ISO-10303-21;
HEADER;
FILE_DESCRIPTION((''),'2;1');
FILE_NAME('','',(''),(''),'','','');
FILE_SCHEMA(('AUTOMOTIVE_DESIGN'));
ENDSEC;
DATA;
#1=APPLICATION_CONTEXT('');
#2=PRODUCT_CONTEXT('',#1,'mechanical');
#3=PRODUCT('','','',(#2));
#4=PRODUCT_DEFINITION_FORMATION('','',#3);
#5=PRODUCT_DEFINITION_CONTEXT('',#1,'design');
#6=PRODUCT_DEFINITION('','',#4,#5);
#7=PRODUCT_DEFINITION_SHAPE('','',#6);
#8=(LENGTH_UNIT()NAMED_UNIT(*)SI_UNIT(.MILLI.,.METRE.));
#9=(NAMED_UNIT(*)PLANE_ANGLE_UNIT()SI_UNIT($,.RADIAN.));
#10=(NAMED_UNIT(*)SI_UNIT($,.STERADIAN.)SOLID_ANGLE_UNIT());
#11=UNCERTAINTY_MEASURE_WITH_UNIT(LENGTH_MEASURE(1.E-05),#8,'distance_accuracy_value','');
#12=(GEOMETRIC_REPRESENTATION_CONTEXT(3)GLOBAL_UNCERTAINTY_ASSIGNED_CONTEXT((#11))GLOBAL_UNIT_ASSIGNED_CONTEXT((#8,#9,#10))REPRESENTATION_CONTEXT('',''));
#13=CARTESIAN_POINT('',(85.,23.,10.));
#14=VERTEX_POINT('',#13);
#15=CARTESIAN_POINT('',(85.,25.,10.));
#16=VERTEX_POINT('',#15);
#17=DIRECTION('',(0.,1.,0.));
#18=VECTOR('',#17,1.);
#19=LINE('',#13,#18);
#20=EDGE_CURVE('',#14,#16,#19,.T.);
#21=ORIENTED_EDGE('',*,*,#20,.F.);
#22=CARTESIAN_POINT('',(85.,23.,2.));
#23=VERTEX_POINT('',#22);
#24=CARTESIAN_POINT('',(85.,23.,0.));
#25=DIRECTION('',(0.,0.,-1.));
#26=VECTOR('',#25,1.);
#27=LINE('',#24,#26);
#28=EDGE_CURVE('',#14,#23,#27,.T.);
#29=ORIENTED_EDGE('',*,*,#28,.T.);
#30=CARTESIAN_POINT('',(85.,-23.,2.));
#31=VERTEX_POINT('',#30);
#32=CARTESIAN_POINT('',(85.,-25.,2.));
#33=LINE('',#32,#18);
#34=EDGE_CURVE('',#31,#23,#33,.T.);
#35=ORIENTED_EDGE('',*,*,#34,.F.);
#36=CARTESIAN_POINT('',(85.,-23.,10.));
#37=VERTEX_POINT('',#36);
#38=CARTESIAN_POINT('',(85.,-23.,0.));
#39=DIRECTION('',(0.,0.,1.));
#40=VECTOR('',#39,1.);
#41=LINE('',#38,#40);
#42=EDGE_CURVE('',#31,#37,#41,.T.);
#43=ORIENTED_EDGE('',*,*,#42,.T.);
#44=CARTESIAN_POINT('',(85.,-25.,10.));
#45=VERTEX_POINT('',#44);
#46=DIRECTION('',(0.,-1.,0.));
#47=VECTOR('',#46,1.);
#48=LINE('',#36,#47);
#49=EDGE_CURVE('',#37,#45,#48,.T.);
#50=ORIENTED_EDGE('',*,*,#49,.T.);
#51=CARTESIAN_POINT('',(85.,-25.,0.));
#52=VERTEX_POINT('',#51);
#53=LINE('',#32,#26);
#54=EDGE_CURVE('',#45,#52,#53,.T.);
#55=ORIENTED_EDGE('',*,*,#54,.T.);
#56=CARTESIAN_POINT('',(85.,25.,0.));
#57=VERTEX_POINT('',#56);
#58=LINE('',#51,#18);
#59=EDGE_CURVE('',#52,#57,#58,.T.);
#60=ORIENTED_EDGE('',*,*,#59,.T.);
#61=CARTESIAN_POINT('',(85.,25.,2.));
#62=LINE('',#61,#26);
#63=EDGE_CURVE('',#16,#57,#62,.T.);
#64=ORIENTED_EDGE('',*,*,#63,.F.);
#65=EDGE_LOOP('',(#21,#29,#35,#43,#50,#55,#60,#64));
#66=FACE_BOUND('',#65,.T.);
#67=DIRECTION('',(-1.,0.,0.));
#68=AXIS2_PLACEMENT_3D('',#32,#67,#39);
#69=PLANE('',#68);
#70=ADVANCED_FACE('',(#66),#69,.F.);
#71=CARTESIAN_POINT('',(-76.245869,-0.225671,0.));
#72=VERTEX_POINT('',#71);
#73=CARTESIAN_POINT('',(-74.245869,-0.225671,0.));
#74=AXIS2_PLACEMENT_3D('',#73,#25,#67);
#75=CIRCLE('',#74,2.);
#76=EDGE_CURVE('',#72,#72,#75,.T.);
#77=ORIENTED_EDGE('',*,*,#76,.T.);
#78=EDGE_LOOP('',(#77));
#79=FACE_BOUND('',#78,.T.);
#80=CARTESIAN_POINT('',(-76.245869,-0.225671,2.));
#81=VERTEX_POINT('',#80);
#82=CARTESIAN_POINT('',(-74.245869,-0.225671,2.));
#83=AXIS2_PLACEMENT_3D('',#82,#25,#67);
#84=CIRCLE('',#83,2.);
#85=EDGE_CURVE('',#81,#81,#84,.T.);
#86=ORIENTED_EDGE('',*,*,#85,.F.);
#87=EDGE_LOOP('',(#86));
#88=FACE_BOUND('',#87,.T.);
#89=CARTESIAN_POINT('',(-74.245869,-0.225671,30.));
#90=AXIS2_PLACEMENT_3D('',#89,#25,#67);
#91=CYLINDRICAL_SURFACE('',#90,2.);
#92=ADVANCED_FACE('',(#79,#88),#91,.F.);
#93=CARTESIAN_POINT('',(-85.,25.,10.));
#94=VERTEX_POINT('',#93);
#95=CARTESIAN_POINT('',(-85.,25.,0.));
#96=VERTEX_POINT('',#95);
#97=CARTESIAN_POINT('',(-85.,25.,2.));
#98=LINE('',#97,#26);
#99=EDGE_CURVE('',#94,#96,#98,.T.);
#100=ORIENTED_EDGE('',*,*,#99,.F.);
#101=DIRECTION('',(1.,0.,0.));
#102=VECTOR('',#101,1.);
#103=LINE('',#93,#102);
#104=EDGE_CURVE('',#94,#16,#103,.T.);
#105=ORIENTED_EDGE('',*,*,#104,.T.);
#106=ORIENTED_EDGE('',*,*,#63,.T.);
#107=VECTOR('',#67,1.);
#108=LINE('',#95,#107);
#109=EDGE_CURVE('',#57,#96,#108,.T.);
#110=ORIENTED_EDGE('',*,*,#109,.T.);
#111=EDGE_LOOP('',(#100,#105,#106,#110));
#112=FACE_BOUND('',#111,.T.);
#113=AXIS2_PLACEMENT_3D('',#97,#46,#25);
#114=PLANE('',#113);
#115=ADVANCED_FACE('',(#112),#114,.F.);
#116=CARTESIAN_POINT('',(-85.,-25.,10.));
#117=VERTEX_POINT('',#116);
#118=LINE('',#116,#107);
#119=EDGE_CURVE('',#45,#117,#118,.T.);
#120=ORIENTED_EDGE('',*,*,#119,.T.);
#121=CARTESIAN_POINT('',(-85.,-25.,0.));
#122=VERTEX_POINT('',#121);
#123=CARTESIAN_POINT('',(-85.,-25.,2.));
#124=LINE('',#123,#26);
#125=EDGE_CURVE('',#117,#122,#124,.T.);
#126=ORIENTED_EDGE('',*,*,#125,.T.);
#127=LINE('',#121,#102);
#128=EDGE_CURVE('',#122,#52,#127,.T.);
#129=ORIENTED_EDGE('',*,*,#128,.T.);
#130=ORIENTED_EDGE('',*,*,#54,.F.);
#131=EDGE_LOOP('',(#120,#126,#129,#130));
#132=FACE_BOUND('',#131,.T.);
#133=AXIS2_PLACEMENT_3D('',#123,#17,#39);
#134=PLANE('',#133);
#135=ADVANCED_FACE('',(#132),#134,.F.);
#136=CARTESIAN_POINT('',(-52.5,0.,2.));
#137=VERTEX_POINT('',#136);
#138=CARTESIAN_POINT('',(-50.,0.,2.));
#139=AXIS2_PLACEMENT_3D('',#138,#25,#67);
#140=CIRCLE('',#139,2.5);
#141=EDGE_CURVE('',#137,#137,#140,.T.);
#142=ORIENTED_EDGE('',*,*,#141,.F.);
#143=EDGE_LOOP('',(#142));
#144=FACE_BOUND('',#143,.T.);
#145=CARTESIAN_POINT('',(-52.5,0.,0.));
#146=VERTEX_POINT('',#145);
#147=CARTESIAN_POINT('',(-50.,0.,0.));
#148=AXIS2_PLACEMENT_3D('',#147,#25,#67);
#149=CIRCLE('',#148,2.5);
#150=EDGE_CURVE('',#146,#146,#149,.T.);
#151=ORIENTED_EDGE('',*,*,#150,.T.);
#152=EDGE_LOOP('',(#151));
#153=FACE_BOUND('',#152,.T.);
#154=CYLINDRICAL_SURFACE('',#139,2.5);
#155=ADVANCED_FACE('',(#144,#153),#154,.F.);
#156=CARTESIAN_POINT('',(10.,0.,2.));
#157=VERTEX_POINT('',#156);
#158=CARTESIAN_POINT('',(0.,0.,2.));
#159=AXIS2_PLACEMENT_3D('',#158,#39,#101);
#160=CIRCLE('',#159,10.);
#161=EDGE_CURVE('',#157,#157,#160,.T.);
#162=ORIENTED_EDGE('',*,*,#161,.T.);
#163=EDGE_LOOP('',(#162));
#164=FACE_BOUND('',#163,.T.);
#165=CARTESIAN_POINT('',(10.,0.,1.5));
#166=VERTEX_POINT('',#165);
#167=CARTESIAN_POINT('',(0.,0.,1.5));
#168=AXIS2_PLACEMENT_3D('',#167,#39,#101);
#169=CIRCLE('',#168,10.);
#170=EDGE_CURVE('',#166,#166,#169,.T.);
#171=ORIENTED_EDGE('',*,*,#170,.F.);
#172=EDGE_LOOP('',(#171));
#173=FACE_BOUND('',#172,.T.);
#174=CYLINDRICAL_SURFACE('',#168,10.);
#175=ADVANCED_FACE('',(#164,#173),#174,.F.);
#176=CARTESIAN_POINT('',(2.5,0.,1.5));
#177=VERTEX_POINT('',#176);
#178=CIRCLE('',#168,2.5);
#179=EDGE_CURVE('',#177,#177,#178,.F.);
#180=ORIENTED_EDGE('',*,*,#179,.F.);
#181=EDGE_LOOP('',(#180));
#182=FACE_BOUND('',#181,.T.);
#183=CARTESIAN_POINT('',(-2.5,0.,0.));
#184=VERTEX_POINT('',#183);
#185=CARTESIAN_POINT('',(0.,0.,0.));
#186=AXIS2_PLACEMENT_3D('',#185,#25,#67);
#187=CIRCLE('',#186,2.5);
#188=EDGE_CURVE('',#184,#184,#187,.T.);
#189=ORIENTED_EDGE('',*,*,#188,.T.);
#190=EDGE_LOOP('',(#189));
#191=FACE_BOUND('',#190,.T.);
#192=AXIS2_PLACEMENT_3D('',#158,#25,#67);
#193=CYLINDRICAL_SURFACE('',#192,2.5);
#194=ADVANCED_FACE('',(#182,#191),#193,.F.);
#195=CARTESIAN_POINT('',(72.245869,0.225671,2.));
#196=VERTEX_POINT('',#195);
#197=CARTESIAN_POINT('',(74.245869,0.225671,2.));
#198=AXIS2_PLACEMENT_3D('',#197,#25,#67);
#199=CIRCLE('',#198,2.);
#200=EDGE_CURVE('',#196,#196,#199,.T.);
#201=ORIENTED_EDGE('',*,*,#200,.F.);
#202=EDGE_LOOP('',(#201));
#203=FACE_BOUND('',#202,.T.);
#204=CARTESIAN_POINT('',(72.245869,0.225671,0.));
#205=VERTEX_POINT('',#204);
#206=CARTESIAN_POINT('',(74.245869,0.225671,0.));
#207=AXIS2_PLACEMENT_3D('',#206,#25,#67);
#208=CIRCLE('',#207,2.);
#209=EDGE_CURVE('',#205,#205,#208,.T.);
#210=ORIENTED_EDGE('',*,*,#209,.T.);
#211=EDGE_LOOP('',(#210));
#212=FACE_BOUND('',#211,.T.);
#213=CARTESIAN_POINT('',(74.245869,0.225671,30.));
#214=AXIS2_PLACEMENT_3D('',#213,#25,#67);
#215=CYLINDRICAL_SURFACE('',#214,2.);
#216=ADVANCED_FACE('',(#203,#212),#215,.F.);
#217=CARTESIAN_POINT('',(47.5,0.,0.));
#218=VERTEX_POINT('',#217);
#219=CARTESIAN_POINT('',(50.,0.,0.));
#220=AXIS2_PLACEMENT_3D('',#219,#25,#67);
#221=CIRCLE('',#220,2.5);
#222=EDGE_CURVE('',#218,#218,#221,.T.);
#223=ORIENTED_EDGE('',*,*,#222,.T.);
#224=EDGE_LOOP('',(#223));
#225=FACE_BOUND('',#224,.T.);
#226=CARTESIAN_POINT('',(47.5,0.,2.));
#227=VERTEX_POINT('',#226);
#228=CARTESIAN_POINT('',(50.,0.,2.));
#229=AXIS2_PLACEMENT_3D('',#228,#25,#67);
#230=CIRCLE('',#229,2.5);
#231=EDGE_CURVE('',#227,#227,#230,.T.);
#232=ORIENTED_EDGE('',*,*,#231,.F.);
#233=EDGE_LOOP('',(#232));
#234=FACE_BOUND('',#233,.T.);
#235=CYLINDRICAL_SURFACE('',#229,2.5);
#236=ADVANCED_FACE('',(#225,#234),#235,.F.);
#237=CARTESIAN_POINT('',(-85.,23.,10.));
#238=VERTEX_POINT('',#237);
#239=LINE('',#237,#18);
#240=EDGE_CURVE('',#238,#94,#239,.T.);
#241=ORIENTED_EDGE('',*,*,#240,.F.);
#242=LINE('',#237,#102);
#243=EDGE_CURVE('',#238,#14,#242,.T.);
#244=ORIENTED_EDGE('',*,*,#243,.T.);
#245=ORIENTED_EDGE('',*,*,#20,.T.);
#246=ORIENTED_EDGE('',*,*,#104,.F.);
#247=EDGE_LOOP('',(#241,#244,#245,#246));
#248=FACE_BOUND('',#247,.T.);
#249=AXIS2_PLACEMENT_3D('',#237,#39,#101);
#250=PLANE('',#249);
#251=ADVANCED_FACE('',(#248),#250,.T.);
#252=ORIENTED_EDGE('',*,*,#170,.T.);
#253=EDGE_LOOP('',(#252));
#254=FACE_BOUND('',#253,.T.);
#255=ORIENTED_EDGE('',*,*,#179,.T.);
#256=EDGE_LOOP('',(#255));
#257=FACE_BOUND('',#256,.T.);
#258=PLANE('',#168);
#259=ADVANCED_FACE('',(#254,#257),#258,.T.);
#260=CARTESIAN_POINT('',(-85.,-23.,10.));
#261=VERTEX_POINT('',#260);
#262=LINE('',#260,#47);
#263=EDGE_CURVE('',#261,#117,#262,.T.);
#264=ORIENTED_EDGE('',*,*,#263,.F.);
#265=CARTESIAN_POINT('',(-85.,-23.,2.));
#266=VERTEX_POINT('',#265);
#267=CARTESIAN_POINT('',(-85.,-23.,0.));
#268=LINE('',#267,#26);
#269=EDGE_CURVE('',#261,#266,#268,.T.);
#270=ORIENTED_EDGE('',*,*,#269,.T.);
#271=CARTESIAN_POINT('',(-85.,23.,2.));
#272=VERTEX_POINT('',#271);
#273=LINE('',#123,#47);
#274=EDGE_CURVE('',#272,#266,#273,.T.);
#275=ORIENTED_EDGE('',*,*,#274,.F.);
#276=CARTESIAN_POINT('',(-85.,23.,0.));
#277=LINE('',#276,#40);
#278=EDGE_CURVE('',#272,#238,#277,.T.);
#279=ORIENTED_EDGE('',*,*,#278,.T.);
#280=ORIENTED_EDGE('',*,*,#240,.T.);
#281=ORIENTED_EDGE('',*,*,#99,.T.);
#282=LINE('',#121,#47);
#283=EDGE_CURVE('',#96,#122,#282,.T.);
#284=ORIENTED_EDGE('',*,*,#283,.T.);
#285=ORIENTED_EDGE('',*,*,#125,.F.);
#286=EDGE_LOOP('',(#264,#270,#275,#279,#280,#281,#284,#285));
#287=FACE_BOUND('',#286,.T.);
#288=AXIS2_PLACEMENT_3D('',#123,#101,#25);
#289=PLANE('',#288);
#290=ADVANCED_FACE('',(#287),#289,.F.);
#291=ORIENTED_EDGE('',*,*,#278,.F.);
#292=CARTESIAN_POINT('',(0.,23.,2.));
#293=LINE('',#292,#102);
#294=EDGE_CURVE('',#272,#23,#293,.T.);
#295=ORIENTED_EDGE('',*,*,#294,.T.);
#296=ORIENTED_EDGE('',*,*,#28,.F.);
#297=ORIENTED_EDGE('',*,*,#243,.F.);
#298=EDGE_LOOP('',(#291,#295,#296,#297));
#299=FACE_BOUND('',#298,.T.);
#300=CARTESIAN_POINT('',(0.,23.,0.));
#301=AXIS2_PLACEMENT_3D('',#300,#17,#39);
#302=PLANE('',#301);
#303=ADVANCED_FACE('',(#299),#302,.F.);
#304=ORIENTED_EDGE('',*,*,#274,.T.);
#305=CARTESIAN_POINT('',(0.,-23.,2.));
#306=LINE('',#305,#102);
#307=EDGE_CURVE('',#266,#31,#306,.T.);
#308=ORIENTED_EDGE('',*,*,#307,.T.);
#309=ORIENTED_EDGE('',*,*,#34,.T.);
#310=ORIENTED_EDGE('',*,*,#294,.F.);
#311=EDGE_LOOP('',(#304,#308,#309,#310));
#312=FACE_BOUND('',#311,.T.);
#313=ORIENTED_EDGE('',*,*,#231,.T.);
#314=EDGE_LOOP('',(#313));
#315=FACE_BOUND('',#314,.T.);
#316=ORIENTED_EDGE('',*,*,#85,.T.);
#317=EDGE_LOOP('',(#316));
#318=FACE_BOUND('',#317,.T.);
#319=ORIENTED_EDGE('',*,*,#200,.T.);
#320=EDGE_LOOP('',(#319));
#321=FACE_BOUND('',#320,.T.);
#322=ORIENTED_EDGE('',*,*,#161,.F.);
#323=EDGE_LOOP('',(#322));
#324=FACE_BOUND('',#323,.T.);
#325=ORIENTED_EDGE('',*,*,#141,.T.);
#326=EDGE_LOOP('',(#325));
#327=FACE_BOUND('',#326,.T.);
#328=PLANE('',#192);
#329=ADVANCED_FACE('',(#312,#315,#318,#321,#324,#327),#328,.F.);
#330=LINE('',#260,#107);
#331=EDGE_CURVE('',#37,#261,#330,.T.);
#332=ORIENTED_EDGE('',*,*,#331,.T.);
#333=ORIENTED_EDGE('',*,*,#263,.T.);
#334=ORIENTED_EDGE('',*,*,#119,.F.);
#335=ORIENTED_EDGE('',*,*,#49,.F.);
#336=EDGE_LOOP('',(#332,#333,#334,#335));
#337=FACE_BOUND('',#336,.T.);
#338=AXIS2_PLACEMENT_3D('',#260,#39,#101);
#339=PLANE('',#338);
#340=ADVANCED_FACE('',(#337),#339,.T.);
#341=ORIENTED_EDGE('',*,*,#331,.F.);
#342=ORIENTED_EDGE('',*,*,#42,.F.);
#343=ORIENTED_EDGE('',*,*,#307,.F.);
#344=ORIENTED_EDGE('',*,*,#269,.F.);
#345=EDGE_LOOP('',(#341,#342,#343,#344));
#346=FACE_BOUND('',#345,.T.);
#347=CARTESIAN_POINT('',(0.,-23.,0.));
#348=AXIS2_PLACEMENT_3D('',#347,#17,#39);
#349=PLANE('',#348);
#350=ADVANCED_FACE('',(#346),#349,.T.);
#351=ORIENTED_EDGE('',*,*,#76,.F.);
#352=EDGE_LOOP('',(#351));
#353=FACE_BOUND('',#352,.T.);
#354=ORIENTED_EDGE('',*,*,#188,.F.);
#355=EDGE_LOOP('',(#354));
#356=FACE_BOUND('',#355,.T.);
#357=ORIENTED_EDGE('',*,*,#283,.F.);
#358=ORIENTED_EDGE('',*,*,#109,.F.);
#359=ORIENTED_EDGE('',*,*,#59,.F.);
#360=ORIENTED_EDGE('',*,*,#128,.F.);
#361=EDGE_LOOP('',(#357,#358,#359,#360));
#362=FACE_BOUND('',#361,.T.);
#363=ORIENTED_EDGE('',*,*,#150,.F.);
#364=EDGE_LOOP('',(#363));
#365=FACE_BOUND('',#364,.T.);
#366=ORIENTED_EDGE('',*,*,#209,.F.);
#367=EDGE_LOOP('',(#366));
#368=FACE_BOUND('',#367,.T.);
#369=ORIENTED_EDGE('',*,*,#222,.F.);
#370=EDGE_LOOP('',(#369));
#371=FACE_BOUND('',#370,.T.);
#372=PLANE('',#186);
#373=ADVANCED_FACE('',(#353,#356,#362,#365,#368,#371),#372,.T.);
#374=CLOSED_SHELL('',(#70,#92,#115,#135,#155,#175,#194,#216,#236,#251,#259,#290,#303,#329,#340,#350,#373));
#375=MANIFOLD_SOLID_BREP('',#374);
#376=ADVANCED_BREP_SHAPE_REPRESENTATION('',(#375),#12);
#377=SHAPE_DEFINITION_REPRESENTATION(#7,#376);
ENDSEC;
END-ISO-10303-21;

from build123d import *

# Parameters (mm, degrees)
SKETCH1_W           = 170
SKETCH1_H           = 50
BOSS_EXTRUDE1_DEPTH = 2
SKETCH2_W           = 170
SKETCH2_H           = 10
BOSS_EXTRUDE2_DEPTH = 2
SKETCH3_W           = 170
SKETCH3_H           = 10
BOSS_EXTRUDE3_DEPTH = 2
SKETCH4_R           = 2.5
CUT_EXTRUDE1_DEPTH  = 2
SKETCH5_R           = 10
CUT_EXTRUDE2_DEPTH  = 0.5
SKETCH7_R           = 2
CUT_EXTRUDE4_DEPTH  = 30


with BuildPart() as part:
    # Sketch1 → Boss-Extrude1 (new body)
    with BuildSketch(Plane.XY):
        Rectangle(SKETCH1_W, SKETCH1_H)
    extrude(amount=BOSS_EXTRUDE1_DEPTH)

    # Sketch2 → Boss-Extrude2 (add)
    with BuildSketch(Plane(origin=(0, 25, 0), x_dir=(1, 0, 0), z_dir=(0, 1, 0))):
        with Locations((0, -5)):
            Rectangle(SKETCH2_W, SKETCH2_H)
    extrude(amount=-BOSS_EXTRUDE2_DEPTH)

    # Sketch3 → Boss-Extrude3 (add)
    with BuildSketch(Plane.XZ.offset(25)):
        with Locations((0, 5)):
            Rectangle(SKETCH3_W, SKETCH3_H)
    extrude(amount=-BOSS_EXTRUDE3_DEPTH)

    # Sketch4 → Cut-Extrude1 (cut)
    with BuildSketch(Plane(origin=(0, 0, 0), x_dir=(-1, 0, 0), z_dir=(0, 0, -1))):
        Circle(SKETCH4_R)
        with Locations((-50, 0)):
            Circle(SKETCH4_R)
        with Locations((50, 0)):
            Circle(SKETCH4_R)
    extrude(amount=-CUT_EXTRUDE1_DEPTH, mode=Mode.SUBTRACT)

    # Sketch5 → Cut-Extrude2 (cut)
    with BuildSketch(Plane.XY.offset(2)):
        Circle(SKETCH5_R)
    extrude(amount=-CUT_EXTRUDE2_DEPTH, mode=Mode.SUBTRACT)

    # Sketch7 → Cut-Extrude4 (cut)
    with BuildSketch(Plane(origin=(0, 0, 0), x_dir=(-1, 0, 0), z_dir=(0, 0, -1))):
        with Locations((-74.245869062, 0.225670703)):
            Circle(SKETCH7_R)
        with Locations((74.245869062, -0.225670703)):
            Circle(SKETCH7_R)
    extrude(amount=-CUT_EXTRUDE4_DEPTH, mode=Mode.SUBTRACT)


solid = part.part
